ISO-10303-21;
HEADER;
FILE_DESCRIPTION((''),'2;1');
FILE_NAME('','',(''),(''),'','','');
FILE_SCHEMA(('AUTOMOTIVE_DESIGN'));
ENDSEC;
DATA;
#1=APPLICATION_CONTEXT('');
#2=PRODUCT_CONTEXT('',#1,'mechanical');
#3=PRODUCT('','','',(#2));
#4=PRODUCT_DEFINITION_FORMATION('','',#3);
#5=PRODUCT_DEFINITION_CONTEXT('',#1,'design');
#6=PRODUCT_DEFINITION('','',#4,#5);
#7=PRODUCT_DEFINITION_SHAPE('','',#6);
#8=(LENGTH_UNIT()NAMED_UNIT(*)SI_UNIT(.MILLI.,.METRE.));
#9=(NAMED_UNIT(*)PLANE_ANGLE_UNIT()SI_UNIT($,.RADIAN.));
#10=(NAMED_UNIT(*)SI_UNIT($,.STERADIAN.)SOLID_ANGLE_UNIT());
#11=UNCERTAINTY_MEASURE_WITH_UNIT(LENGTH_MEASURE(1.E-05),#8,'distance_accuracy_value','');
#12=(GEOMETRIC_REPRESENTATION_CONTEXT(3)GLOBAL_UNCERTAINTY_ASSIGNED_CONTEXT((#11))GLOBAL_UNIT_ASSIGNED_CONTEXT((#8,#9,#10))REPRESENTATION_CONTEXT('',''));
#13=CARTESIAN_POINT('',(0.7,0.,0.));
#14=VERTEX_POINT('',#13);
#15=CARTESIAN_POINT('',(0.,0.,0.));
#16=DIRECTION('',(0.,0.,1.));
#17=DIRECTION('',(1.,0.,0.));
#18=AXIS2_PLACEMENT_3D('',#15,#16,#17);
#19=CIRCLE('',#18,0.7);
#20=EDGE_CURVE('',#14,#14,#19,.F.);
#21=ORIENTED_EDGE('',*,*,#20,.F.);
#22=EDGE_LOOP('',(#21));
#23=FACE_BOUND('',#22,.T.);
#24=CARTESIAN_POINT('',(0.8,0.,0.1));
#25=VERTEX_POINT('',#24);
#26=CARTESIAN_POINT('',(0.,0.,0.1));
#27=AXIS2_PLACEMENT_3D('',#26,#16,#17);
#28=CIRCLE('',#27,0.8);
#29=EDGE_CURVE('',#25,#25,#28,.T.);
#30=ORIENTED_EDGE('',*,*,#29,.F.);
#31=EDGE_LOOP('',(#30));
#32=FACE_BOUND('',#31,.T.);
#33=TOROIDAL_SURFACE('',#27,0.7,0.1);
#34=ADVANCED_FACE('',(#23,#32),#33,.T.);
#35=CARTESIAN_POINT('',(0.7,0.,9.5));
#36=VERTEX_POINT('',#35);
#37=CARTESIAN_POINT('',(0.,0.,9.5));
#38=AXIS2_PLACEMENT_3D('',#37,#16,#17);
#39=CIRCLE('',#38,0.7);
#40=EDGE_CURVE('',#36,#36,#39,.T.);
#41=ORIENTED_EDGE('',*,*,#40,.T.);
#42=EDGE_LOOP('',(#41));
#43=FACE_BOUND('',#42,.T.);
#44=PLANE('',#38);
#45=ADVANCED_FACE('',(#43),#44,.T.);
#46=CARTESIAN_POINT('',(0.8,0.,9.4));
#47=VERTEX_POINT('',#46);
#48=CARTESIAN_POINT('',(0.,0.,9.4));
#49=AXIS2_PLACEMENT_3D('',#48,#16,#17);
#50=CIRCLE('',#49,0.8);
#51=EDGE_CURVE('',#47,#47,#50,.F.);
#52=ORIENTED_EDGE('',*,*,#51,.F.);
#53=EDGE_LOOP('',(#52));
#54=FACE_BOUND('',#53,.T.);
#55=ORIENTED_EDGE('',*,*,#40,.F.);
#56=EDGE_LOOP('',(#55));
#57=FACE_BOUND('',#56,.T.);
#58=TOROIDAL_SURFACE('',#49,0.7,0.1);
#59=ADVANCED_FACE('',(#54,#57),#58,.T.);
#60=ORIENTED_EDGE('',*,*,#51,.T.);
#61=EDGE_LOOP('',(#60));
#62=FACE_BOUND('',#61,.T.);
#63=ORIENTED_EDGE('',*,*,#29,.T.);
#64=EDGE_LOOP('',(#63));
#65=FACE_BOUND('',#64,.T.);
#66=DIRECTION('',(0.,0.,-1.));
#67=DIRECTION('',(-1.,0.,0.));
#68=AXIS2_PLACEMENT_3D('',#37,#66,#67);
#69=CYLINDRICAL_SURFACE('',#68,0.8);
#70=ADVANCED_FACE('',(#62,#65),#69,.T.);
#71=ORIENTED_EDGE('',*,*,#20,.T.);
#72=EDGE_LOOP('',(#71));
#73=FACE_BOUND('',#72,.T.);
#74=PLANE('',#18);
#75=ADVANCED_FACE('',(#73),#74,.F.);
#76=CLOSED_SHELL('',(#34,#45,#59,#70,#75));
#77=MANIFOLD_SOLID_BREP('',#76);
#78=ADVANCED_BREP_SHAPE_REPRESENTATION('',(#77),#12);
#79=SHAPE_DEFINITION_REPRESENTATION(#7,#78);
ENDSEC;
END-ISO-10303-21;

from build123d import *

# Parameters (mm, degrees)
SKETCH1_R           = 0.8
BOSS_EXTRUDE1_DEPTH = 9.5
FILLET1_R           = 0.1


with BuildPart() as part:
    # Sketch1 → Boss-Extrude1 (new body)
    with BuildSketch(Plane.XY):
        Circle(SKETCH1_R)
    extrude(amount=BOSS_EXTRUDE1_DEPTH)

    # Fillet1
    fillet1_edges = [part.edges().sort_by_distance(p)[0] for p in [
        (-0.8, 0, 0),
        (-0.8, 0, 9.5),
    ]]
    fillet(fillet1_edges, radius=FILLET1_R)


solid = part.part
